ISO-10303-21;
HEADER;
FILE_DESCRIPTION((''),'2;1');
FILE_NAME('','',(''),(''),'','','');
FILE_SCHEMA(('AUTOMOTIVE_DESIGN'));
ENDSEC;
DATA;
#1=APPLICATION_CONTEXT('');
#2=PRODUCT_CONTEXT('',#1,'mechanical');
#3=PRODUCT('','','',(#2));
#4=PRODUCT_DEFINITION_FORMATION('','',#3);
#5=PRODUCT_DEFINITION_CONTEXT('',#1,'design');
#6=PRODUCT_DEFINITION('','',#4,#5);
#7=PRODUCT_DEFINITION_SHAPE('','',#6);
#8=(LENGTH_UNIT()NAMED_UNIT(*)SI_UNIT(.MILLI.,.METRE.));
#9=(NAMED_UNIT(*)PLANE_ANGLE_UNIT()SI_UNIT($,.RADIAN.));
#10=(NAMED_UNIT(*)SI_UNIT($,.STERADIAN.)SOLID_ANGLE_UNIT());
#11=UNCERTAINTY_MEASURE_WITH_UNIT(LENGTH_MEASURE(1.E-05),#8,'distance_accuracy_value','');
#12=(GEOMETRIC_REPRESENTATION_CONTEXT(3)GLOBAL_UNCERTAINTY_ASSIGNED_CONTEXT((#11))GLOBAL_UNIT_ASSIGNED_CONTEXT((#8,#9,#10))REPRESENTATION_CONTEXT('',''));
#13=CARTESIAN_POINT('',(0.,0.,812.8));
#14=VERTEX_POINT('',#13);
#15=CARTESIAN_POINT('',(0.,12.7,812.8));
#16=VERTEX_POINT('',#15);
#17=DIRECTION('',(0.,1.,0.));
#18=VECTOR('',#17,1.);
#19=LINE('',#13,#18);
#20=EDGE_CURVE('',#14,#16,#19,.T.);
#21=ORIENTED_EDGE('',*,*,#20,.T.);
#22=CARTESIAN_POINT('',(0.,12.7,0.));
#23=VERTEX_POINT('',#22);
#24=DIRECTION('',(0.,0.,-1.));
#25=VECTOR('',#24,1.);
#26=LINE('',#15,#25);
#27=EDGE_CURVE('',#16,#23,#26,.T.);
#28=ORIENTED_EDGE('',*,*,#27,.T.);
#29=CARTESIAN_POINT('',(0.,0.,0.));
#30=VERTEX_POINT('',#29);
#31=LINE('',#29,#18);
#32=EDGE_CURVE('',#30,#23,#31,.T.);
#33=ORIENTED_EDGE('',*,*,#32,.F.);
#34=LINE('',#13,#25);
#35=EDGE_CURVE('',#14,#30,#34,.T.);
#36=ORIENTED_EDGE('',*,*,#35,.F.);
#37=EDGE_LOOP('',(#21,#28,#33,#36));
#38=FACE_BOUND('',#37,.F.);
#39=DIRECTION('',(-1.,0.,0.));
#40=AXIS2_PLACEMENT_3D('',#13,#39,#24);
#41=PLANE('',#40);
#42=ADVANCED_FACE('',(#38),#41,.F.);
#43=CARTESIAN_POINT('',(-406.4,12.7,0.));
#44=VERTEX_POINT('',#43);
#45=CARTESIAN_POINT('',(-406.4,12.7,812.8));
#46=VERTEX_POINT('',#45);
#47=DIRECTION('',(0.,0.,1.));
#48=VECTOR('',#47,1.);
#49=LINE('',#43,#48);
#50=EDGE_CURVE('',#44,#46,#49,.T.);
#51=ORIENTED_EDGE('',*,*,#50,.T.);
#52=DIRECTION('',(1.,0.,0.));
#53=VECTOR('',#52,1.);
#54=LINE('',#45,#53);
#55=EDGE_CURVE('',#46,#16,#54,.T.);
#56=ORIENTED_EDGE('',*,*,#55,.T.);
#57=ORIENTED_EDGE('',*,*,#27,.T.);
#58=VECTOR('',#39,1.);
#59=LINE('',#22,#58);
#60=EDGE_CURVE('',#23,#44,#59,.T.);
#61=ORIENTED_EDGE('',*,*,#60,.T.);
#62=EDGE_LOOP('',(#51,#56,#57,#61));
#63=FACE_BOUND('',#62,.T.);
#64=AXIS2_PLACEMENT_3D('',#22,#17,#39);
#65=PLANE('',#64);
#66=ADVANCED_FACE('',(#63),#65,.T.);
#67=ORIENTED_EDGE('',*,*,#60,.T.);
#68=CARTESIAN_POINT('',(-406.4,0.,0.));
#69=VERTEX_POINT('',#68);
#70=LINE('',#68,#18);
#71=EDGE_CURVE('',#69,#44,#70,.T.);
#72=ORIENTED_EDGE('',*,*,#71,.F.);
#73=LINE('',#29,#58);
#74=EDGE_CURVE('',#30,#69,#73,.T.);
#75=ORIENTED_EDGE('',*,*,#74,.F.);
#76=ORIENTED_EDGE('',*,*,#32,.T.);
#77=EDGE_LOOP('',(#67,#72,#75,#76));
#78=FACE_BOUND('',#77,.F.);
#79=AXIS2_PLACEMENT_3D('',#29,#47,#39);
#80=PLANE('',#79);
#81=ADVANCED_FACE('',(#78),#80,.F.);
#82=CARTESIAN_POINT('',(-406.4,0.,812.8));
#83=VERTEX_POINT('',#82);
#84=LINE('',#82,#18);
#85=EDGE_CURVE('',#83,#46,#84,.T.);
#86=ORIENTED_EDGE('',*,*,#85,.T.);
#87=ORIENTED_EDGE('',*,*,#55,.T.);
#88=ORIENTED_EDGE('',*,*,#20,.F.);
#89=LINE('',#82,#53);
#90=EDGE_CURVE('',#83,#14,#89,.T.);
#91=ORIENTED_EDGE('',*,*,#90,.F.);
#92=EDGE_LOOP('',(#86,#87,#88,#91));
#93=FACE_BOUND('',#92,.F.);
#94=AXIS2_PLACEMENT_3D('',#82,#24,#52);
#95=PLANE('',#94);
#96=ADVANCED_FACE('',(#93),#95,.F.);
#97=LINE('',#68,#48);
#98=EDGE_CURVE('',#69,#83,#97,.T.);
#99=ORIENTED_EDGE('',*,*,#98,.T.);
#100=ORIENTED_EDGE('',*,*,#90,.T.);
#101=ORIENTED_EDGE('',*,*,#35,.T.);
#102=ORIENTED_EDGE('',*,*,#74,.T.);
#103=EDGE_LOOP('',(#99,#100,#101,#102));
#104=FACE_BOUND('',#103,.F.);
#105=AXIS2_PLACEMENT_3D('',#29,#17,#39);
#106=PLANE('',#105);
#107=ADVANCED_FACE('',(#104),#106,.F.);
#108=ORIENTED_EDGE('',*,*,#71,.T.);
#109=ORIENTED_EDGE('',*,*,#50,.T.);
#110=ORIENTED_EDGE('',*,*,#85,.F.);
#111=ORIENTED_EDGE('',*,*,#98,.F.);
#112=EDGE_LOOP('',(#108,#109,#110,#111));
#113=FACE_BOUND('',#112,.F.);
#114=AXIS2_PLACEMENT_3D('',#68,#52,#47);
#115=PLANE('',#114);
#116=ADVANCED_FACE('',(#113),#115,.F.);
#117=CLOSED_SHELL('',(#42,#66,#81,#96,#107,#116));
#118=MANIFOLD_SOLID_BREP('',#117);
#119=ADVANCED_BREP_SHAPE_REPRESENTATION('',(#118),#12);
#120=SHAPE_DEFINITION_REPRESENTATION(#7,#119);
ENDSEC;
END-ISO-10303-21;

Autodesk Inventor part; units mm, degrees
ref_plane "YZ Plane" through (0, 0, 0) normal (1, 0, 0) x (0, 1, 0)
ref_plane "XZ Plane" through (0, 0, 0) normal (0, 1, 0) x (-1, 0, 0)
ref_plane "XY Plane" through (0, 0, 0) normal (0, 0, 1) x (1, 0, 0)
sketch "Sketch1" plane through (0, 0, 0) normal (0, 1, 0) x (-1, 0, 0)
  line L0 (0, 0) -> (406.4, 0)
  line L1 (406.4, 0) -> (406.4, 812.8)
  line L2 (406.4, 812.8) -> (0, 812.8)
  line L3 (0, 812.8) -> (0, 0)
  dimension "d0" = 406.4
  dimension "d1" = 812.8
extrude "Extrusion1" add sketch "Sketch1" along normal blind 12.7
properties part number "woodPlate"
